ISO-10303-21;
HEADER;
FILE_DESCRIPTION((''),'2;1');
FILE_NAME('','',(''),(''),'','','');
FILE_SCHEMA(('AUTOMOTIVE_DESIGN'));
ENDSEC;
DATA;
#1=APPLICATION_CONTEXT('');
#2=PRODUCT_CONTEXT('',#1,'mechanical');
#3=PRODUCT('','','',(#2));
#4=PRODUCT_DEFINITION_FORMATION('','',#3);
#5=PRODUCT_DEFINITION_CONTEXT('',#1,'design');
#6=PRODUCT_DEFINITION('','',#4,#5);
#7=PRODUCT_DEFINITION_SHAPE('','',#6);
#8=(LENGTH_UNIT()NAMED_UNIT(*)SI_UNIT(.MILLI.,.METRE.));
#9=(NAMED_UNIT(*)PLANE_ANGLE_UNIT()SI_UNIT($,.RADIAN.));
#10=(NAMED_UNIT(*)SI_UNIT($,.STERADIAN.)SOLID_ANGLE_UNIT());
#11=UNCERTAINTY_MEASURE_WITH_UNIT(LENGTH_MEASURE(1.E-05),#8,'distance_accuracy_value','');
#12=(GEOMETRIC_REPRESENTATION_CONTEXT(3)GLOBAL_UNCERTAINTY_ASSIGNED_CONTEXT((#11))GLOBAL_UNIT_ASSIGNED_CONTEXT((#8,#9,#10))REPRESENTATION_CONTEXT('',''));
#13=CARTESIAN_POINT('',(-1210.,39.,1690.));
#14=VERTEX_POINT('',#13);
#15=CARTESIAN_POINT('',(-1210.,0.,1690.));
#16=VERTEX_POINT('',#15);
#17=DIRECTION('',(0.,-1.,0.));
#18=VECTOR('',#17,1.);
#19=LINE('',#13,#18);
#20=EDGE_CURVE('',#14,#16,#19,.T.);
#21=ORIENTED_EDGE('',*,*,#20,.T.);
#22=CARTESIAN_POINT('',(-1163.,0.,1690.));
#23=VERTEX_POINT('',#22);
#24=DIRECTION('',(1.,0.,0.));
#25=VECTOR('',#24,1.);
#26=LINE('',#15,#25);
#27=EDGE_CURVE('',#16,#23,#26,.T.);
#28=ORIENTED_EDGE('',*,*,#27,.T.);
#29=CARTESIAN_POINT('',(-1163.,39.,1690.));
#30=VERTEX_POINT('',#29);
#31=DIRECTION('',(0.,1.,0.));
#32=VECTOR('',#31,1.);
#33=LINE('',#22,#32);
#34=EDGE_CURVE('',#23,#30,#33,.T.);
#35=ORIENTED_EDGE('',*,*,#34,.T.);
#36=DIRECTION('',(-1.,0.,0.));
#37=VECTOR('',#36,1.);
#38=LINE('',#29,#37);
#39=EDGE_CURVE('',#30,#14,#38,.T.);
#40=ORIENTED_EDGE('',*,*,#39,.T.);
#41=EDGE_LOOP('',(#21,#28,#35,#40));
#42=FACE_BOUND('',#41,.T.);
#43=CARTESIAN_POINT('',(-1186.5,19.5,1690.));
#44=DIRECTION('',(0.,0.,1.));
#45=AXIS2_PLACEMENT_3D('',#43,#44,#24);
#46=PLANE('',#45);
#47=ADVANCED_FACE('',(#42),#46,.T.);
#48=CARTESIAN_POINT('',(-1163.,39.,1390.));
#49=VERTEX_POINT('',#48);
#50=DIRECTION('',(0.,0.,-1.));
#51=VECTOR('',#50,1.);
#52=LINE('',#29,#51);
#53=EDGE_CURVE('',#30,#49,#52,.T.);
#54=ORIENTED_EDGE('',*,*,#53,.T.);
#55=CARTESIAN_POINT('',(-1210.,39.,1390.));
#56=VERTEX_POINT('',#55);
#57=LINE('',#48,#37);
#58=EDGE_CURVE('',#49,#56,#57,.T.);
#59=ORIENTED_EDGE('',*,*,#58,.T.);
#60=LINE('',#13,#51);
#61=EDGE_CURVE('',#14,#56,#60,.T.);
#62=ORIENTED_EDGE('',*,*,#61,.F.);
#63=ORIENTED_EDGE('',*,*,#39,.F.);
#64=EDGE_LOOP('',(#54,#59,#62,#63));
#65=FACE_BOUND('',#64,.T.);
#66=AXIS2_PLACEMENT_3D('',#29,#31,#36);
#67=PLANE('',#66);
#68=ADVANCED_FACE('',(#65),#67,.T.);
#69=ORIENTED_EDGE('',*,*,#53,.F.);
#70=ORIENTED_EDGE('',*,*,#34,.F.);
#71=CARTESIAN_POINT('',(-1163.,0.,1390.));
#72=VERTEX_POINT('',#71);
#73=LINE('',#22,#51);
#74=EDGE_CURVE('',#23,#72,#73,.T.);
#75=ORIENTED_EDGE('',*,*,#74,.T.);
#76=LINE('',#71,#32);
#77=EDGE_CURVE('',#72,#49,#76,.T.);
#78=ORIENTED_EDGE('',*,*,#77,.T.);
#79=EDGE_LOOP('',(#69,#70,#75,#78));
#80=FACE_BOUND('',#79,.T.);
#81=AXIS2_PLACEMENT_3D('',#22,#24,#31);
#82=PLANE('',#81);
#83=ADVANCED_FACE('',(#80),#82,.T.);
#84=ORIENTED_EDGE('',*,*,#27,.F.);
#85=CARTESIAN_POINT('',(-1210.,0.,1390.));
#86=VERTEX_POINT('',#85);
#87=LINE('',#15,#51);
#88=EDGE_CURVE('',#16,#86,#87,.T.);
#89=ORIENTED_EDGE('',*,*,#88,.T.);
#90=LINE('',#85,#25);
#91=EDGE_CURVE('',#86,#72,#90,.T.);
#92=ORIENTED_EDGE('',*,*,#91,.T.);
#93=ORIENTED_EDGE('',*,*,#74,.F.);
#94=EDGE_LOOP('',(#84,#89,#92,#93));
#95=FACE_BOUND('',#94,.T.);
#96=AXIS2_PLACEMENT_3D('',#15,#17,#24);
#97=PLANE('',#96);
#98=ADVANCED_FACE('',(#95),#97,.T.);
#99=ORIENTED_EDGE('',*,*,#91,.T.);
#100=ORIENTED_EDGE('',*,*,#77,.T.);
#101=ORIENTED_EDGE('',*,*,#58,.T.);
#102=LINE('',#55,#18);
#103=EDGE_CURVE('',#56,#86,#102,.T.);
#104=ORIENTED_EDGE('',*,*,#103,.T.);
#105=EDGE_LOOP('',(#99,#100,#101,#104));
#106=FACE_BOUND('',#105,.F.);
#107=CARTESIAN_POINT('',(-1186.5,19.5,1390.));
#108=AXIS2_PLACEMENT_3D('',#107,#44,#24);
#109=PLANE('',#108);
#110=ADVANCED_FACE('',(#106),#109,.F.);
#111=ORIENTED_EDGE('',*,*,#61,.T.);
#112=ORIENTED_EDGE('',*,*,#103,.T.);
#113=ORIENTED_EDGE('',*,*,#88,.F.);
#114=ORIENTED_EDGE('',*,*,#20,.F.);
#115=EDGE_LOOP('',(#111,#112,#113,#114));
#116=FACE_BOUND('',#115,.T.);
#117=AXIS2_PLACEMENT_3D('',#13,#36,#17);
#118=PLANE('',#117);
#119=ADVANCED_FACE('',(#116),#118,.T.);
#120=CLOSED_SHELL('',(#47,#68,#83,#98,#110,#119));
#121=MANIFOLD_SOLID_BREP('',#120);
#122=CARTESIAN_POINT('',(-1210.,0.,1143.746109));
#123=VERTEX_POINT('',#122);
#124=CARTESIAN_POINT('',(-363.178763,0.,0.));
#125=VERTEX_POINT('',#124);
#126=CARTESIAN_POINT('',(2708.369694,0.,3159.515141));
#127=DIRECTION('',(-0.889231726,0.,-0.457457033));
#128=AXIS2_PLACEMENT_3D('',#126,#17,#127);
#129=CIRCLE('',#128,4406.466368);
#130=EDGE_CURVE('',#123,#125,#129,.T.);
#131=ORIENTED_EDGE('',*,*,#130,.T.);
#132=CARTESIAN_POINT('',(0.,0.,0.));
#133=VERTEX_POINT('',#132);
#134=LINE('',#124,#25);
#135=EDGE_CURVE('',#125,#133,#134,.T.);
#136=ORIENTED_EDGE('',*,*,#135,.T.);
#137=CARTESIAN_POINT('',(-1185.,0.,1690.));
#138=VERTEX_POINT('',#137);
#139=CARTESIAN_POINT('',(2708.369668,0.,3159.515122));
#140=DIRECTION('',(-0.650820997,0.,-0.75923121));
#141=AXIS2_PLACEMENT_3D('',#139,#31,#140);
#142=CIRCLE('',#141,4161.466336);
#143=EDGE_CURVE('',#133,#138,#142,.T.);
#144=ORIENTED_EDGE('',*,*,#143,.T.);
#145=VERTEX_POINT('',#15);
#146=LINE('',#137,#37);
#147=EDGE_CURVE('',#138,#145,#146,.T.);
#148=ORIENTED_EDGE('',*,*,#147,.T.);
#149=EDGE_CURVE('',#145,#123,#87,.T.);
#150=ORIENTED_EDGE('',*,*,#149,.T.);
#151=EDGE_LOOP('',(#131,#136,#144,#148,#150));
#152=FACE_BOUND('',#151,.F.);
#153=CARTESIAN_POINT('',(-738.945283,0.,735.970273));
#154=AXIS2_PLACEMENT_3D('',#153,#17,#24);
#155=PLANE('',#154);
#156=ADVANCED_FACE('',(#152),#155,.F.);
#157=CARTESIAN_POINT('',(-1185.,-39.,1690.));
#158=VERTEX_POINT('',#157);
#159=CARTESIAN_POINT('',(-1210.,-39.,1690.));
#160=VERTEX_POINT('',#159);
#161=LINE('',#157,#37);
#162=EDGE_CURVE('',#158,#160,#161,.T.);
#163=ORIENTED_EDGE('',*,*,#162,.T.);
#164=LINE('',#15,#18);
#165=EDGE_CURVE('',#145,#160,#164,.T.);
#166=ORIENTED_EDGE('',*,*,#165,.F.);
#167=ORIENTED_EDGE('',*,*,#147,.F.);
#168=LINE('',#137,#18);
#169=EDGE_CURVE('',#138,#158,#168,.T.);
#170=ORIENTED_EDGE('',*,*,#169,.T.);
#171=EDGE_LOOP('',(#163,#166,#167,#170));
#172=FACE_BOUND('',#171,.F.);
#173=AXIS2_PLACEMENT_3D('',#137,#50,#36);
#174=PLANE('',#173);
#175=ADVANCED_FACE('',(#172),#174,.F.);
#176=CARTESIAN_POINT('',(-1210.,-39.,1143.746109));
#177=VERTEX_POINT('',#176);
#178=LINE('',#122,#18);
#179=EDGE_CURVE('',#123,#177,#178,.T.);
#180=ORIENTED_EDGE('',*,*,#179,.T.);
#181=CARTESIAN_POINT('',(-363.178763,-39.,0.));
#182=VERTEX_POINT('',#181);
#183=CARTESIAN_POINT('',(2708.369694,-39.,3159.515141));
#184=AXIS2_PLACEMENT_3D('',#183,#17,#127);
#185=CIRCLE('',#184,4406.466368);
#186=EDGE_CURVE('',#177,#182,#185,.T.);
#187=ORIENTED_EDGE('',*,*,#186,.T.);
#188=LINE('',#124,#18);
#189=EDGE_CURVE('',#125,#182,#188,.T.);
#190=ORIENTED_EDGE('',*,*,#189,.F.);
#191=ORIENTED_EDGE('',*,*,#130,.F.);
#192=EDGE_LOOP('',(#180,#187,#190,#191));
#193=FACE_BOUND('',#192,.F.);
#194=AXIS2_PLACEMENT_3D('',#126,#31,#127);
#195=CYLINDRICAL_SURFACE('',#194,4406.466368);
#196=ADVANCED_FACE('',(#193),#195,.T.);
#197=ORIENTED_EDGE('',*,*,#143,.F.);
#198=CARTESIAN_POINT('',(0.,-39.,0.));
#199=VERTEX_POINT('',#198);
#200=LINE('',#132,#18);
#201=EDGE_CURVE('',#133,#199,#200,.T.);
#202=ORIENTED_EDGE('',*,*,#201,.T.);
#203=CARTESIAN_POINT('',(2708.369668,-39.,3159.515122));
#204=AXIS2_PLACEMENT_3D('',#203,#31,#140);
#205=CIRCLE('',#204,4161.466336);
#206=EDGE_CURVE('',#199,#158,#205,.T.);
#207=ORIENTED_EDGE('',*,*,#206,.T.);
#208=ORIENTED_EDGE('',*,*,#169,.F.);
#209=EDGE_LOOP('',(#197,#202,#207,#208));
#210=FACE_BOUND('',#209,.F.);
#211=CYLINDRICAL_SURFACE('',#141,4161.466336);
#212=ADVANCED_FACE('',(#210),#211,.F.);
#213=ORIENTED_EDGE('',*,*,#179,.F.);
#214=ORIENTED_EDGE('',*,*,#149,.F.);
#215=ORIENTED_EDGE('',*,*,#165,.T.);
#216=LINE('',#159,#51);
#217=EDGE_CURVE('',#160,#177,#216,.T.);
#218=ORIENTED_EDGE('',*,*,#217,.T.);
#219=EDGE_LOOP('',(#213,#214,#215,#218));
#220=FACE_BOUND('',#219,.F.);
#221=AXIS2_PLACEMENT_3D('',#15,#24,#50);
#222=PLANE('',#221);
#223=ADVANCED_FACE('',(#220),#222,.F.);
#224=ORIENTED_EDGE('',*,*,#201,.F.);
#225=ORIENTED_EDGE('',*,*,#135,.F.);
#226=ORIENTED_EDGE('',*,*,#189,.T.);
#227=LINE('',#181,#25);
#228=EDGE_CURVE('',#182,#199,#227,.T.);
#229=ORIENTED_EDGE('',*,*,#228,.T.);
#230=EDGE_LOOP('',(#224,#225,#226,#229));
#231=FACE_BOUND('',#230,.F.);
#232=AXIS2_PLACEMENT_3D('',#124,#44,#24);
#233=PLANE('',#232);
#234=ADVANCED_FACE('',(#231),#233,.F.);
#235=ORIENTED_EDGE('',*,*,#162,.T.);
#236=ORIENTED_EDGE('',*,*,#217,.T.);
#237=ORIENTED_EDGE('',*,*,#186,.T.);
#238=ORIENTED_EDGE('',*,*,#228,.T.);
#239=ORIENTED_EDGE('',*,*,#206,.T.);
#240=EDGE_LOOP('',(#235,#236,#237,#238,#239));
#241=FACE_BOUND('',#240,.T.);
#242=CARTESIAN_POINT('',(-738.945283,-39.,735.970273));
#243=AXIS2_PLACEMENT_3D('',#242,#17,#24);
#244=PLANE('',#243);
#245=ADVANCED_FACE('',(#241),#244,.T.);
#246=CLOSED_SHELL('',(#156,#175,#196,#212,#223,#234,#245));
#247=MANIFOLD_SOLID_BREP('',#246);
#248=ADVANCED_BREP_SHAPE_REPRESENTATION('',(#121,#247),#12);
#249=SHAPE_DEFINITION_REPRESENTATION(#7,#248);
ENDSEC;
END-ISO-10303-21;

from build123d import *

# Parameters (mm, degrees)
F1_DEPTH = 39
F3_DEPTH = 300


with BuildPart() as f1:
    # F0 (on Front) → F1 (new body)
    with BuildSketch(Plane.XZ):
        with BuildLine():
            Line((-363.178763, 0), (0, 0))
            ThreePointArc((0, 0), (-698.940938, 770.365378), (-1185, 1690))
            Line((-1185, 1690), (-1210, 1690))
            Line((-1210, 1690), (-1210, 1143.746109))
            ThreePointArc((-1210, 1143.746109), (-833.067547, 537.460962), (-363.178763, 0))
        make_face()
    extrude(amount=F1_DEPTH)


with BuildPart() as f3:
    # F2 (on face) → F3 (new body)
    with BuildSketch(Plane.XY.offset(1690)):
        Polygon((-1210, 39), (-1210, 0), (-1185, 0), (-1163, 0), (-1163, 39), align=None)
    extrude(amount=-F3_DEPTH)


solid = Compound([f1.part, f3.part])
